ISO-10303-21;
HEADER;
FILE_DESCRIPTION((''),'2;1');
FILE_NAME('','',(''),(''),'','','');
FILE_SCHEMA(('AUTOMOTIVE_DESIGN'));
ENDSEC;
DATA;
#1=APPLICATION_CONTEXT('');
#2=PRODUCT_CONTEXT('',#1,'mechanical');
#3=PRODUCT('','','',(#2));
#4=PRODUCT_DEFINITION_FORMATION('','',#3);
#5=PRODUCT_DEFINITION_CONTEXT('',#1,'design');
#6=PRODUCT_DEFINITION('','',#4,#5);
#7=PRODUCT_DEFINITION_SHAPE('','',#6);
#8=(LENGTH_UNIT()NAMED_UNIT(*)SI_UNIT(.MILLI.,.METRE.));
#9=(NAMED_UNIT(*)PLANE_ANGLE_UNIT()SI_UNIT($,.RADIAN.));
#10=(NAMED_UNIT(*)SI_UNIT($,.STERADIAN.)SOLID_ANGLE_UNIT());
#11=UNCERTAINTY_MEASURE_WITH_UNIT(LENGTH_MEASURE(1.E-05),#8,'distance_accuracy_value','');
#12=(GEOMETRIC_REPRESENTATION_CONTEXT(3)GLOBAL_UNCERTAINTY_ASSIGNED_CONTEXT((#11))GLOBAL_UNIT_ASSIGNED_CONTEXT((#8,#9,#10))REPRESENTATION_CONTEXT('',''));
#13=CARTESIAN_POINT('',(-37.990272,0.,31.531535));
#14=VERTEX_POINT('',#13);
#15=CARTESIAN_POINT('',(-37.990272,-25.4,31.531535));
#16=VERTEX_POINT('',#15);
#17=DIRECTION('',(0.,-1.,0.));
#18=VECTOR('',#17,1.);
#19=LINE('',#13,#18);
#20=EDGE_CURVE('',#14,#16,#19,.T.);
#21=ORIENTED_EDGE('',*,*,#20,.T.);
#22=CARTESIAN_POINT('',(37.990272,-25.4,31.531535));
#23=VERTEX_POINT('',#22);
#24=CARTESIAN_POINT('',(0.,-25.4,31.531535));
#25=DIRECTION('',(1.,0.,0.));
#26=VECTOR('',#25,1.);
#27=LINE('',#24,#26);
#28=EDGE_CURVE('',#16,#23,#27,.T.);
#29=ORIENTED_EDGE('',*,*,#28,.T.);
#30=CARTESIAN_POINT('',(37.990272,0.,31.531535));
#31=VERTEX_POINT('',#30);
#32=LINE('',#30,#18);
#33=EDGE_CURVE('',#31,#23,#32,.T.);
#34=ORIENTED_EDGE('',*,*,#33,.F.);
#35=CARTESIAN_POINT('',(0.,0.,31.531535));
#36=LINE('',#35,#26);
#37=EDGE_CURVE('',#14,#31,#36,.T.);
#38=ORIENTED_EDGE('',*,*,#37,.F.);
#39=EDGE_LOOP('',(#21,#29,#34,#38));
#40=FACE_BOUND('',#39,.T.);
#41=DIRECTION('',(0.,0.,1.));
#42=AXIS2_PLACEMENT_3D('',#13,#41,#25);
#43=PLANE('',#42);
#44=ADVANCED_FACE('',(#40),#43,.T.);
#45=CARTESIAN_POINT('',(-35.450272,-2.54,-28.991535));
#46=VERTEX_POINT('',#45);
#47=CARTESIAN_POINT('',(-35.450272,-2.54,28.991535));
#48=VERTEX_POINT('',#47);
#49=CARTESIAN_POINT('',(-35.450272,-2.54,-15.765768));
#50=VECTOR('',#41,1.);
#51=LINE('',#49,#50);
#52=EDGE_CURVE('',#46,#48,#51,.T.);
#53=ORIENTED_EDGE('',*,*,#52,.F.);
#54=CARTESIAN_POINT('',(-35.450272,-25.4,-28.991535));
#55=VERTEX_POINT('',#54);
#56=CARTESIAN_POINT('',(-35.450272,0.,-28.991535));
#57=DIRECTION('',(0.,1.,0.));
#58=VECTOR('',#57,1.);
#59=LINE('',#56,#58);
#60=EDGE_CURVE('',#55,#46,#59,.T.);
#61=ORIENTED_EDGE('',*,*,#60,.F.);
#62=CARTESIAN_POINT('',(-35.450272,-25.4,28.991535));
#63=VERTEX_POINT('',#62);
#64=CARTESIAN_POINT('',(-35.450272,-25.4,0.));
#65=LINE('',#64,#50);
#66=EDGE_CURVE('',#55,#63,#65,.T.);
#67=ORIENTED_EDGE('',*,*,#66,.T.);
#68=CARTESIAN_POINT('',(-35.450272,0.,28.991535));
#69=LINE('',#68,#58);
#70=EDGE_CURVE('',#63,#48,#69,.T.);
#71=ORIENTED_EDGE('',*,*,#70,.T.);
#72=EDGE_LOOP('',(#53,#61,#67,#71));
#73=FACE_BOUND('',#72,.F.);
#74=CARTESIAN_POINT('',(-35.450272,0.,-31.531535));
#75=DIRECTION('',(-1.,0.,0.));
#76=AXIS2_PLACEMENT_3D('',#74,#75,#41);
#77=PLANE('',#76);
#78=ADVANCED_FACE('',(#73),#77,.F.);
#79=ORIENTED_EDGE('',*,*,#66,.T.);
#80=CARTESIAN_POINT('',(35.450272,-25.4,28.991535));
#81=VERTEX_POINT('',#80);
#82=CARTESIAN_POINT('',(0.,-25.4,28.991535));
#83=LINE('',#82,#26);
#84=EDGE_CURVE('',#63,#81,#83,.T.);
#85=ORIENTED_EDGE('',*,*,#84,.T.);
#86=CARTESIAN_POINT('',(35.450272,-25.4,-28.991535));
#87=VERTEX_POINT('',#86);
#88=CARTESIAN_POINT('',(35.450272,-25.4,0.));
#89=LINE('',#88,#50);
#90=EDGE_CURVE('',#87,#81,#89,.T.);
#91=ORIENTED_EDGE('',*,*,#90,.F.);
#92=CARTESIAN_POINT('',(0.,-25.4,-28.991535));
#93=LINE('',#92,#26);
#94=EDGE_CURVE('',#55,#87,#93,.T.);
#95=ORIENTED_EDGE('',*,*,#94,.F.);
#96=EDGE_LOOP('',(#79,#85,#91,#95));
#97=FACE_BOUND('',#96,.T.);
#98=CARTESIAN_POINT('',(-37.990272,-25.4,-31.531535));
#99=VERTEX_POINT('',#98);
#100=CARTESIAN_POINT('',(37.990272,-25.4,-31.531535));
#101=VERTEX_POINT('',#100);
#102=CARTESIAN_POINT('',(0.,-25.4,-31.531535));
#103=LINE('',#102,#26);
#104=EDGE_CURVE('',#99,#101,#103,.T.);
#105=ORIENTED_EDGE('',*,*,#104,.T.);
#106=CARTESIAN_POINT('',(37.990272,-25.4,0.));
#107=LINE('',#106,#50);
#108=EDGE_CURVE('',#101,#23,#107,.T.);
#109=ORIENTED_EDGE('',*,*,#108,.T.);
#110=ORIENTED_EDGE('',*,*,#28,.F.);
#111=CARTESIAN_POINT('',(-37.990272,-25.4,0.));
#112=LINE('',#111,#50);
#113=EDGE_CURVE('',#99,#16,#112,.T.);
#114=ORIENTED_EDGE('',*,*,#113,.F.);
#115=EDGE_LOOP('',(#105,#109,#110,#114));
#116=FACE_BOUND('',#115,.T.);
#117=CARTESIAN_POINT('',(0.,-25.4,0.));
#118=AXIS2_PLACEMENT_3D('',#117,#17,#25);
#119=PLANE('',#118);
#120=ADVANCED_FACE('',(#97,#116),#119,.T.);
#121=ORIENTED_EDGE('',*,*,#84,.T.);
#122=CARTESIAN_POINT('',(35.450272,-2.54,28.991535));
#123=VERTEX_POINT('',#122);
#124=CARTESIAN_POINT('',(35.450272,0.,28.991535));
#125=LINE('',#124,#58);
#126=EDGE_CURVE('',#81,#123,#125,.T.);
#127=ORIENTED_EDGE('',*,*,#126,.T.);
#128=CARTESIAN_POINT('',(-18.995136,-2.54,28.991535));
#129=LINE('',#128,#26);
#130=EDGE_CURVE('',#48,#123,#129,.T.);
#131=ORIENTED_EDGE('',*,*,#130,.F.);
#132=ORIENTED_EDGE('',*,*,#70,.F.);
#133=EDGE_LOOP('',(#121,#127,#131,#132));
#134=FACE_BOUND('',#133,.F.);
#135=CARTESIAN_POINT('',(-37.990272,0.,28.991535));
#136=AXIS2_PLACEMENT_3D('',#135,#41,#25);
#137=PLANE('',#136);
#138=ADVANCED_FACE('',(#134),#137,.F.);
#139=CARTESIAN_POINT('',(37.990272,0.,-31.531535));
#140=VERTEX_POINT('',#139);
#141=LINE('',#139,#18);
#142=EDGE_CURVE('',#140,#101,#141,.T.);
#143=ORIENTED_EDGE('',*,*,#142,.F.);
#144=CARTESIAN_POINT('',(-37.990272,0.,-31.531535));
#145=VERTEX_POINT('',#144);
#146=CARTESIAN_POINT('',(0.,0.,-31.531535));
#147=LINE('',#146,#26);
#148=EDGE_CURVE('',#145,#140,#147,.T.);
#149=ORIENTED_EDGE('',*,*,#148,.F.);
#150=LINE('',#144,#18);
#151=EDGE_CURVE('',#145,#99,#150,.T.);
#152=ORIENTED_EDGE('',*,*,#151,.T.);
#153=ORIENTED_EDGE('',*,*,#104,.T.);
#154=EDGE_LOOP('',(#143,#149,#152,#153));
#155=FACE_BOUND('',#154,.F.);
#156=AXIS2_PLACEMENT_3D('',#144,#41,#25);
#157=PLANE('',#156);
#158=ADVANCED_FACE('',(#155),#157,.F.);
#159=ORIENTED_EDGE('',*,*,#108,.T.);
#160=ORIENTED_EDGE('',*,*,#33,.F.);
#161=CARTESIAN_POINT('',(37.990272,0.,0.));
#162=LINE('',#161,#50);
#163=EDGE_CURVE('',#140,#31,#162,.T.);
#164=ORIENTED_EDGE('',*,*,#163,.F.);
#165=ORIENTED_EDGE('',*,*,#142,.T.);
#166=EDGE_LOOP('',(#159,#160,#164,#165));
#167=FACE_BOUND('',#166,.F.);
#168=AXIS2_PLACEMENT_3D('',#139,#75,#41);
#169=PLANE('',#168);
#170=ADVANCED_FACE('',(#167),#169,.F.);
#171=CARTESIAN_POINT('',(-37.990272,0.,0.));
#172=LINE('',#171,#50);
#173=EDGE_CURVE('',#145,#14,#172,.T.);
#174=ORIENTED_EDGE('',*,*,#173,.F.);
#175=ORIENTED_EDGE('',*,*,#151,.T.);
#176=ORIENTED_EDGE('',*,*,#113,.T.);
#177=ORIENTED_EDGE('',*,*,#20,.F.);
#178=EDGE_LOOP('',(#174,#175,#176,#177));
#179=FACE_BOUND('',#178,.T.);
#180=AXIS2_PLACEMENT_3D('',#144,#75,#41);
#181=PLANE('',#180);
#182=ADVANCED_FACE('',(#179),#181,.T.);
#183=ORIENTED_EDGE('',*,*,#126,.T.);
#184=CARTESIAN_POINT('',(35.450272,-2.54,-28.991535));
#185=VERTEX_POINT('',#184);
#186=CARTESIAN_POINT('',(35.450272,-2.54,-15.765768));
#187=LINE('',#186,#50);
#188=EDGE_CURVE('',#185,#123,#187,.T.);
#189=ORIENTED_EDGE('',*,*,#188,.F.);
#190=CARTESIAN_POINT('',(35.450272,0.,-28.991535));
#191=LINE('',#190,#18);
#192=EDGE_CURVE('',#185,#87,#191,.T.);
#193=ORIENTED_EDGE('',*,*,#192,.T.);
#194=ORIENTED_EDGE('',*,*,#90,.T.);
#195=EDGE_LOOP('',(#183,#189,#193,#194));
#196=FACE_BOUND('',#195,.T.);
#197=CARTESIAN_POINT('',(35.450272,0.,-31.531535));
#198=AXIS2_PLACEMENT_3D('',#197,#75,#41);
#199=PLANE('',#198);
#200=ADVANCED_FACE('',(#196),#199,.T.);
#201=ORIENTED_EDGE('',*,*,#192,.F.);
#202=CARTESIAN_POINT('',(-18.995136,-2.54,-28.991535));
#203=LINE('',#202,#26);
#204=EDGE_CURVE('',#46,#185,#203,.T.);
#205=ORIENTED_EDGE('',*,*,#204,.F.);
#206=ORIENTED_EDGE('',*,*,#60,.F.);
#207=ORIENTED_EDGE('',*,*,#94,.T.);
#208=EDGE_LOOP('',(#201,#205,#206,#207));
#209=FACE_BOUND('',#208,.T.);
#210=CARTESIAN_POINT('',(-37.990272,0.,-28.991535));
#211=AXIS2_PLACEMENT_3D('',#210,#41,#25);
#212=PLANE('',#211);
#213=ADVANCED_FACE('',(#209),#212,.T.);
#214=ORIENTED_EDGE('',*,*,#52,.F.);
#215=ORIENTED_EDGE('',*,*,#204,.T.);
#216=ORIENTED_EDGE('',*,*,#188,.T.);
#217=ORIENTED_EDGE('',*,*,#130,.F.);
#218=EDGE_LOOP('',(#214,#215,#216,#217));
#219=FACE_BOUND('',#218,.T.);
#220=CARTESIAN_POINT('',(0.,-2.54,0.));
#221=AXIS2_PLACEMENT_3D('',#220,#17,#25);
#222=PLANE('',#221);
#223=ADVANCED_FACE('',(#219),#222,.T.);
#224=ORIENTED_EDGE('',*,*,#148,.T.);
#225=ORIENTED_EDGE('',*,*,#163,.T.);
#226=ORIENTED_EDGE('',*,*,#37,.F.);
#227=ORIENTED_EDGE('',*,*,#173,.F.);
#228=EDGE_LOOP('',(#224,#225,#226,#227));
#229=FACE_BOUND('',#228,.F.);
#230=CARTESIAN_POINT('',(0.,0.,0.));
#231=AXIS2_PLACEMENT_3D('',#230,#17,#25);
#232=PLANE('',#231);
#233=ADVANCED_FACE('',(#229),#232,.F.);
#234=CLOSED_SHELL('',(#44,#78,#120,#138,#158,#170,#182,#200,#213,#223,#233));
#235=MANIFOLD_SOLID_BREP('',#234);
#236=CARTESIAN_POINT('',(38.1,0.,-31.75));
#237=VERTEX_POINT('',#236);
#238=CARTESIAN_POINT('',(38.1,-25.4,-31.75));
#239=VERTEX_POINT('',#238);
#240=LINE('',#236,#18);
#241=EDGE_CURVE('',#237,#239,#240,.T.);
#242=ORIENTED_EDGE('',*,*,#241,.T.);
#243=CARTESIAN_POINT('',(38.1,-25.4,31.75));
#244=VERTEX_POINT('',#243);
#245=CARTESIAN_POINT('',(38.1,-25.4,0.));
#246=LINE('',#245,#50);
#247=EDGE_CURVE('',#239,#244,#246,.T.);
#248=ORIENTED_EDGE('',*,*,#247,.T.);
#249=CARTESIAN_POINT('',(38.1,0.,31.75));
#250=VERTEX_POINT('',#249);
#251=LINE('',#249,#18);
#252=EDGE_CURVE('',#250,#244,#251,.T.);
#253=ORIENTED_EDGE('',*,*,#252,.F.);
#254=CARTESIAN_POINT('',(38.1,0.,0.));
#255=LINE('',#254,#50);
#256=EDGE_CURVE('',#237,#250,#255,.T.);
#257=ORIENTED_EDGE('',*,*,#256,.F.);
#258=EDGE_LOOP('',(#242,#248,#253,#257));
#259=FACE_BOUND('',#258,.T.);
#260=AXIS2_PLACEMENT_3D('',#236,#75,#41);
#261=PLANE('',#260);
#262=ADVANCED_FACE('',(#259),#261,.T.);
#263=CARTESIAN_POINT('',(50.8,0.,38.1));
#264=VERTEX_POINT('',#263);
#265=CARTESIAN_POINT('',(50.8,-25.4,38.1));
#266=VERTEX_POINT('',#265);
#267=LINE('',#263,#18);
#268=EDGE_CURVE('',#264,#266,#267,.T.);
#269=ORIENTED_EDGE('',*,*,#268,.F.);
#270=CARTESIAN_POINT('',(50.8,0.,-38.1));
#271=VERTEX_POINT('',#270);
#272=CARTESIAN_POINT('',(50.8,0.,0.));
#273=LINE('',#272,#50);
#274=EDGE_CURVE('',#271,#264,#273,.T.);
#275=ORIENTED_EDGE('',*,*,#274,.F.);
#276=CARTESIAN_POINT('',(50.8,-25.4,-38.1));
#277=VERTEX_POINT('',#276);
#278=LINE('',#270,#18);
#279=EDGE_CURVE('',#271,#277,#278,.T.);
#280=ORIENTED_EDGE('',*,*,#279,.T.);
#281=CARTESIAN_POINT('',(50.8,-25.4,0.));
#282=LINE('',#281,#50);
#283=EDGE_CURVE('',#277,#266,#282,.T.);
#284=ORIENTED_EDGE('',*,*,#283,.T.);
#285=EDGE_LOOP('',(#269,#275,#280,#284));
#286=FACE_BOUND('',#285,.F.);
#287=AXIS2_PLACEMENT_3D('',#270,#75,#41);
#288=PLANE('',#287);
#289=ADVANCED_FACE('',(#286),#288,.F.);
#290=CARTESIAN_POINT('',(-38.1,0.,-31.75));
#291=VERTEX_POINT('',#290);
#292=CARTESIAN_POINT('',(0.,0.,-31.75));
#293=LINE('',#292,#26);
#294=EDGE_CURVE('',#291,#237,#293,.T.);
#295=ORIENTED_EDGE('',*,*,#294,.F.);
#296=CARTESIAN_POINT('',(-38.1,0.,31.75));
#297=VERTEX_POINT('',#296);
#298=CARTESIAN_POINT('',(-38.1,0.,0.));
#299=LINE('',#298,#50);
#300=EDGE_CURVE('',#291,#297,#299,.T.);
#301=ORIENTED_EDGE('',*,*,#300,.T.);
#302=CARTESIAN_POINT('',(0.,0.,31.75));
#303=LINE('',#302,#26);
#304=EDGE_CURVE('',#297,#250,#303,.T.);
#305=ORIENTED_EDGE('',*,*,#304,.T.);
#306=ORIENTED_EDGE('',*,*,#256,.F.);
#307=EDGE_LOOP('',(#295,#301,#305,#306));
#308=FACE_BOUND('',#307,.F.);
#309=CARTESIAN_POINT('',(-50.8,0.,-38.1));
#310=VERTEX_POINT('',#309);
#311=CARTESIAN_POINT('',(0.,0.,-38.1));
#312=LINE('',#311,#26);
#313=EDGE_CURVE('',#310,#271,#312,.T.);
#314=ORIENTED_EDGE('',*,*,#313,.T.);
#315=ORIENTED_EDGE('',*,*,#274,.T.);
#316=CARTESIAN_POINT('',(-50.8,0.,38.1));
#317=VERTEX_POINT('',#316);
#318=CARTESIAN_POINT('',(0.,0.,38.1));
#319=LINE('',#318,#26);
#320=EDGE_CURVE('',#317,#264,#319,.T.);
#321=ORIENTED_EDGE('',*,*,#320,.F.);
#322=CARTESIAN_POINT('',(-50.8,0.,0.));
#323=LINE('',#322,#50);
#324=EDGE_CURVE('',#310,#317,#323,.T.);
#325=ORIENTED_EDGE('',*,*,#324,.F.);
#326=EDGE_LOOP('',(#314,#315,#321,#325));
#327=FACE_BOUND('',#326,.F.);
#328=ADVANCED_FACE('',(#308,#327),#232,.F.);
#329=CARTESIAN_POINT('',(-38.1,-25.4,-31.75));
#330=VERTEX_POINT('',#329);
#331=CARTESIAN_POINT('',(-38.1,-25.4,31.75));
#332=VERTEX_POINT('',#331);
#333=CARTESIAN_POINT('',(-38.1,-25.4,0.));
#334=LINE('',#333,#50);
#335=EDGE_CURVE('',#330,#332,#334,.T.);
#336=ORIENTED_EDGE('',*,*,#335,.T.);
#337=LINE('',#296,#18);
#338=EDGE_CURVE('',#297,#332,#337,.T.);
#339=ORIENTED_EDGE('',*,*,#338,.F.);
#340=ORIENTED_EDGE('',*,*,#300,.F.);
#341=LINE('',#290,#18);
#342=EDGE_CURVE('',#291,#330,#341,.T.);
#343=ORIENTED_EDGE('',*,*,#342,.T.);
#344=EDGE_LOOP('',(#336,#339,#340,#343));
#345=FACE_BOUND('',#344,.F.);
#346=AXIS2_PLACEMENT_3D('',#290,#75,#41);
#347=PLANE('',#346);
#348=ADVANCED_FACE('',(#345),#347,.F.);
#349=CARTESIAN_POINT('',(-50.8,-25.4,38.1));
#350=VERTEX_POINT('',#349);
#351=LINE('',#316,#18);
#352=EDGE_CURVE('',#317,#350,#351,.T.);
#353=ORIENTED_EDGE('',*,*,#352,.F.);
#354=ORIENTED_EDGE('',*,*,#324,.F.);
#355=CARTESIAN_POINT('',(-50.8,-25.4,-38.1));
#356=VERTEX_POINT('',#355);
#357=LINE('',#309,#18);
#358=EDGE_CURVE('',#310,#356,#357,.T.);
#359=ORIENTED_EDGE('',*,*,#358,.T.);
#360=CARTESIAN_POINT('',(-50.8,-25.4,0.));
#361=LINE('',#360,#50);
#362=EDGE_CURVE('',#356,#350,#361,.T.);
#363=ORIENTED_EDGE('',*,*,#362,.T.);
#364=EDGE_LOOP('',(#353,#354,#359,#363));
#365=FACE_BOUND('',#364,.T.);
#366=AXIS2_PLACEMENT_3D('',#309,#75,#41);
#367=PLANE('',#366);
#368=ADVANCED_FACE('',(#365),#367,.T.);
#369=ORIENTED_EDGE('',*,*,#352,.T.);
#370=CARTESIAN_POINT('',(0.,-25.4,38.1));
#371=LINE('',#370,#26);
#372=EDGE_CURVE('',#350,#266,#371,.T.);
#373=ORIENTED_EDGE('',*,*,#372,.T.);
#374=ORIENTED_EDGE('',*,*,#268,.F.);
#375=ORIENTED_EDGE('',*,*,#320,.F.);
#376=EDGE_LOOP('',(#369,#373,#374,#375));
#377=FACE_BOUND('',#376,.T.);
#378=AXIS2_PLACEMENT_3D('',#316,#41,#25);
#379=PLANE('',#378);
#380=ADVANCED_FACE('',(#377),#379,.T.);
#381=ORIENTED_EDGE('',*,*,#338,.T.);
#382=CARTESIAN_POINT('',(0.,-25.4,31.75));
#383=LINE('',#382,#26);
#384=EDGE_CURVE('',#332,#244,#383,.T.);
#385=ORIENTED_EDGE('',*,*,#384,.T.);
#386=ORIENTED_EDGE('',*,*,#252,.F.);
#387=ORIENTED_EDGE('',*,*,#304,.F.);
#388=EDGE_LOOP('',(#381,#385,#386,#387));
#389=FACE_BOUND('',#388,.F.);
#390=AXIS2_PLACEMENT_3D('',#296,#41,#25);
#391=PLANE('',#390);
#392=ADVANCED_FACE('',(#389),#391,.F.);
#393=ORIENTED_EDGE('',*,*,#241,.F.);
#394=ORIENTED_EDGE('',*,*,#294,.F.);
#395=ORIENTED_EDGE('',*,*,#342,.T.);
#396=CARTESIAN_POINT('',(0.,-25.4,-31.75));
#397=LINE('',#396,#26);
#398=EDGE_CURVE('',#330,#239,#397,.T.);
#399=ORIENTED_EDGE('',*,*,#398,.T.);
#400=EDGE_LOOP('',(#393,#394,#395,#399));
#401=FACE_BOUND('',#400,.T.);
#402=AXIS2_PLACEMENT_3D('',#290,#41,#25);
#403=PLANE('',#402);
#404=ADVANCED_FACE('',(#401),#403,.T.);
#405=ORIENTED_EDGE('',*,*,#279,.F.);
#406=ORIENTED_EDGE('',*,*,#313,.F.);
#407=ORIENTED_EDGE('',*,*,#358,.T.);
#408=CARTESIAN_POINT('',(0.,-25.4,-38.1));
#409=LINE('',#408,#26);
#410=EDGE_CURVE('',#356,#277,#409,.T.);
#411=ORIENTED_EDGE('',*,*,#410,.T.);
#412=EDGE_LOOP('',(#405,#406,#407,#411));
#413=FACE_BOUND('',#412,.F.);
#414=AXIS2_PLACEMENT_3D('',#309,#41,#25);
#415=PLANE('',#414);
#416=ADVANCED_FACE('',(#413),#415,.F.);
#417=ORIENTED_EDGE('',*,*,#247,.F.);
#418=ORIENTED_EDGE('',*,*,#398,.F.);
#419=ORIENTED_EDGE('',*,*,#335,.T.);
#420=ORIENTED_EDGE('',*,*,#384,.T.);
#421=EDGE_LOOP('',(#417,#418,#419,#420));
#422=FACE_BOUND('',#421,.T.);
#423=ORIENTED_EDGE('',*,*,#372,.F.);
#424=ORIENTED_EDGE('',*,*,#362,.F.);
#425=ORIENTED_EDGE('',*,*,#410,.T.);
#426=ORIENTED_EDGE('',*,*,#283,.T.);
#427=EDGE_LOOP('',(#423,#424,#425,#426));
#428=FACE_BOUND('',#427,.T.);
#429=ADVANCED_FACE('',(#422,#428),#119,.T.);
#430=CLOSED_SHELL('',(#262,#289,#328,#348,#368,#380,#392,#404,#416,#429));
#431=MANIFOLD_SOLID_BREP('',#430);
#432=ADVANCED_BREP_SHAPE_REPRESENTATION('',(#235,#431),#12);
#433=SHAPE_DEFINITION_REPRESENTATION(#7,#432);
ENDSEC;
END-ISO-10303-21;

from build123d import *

# Parameters (mm, degrees)
F0_W     = 101.6
F0_H     = 76.2
F0_W_2   = 76.2
F0_H_2   = 63.5
F1_DEPTH = 25.4
F2_W     = 75.980544
F2_H     = 63.06307
F3_DEPTH = 25.4
F4_T     = -2.54


with BuildPart() as f1:
    # F0 (on Front) → F1 (new body)
    with BuildSketch(Plane.XZ):
        Rectangle(F0_W, F0_H)
        Rectangle(F0_W_2, F0_H_2, mode=Mode.SUBTRACT)
    extrude(amount=F1_DEPTH)


with BuildPart() as f3:
    # F2 (on Front) → F3 (new body)
    with BuildSketch(Plane.XZ):
        Rectangle(F2_W, F2_H)
    extrude(amount=F3_DEPTH)

    # F4
    f4_openings = [f3.faces().sort_by_distance(p)[0] for p in [
        (0, -25.4, 0),
    ]]
    offset(amount=F4_T, openings=f4_openings)


solid = Compound([f1.part, f3.part])
